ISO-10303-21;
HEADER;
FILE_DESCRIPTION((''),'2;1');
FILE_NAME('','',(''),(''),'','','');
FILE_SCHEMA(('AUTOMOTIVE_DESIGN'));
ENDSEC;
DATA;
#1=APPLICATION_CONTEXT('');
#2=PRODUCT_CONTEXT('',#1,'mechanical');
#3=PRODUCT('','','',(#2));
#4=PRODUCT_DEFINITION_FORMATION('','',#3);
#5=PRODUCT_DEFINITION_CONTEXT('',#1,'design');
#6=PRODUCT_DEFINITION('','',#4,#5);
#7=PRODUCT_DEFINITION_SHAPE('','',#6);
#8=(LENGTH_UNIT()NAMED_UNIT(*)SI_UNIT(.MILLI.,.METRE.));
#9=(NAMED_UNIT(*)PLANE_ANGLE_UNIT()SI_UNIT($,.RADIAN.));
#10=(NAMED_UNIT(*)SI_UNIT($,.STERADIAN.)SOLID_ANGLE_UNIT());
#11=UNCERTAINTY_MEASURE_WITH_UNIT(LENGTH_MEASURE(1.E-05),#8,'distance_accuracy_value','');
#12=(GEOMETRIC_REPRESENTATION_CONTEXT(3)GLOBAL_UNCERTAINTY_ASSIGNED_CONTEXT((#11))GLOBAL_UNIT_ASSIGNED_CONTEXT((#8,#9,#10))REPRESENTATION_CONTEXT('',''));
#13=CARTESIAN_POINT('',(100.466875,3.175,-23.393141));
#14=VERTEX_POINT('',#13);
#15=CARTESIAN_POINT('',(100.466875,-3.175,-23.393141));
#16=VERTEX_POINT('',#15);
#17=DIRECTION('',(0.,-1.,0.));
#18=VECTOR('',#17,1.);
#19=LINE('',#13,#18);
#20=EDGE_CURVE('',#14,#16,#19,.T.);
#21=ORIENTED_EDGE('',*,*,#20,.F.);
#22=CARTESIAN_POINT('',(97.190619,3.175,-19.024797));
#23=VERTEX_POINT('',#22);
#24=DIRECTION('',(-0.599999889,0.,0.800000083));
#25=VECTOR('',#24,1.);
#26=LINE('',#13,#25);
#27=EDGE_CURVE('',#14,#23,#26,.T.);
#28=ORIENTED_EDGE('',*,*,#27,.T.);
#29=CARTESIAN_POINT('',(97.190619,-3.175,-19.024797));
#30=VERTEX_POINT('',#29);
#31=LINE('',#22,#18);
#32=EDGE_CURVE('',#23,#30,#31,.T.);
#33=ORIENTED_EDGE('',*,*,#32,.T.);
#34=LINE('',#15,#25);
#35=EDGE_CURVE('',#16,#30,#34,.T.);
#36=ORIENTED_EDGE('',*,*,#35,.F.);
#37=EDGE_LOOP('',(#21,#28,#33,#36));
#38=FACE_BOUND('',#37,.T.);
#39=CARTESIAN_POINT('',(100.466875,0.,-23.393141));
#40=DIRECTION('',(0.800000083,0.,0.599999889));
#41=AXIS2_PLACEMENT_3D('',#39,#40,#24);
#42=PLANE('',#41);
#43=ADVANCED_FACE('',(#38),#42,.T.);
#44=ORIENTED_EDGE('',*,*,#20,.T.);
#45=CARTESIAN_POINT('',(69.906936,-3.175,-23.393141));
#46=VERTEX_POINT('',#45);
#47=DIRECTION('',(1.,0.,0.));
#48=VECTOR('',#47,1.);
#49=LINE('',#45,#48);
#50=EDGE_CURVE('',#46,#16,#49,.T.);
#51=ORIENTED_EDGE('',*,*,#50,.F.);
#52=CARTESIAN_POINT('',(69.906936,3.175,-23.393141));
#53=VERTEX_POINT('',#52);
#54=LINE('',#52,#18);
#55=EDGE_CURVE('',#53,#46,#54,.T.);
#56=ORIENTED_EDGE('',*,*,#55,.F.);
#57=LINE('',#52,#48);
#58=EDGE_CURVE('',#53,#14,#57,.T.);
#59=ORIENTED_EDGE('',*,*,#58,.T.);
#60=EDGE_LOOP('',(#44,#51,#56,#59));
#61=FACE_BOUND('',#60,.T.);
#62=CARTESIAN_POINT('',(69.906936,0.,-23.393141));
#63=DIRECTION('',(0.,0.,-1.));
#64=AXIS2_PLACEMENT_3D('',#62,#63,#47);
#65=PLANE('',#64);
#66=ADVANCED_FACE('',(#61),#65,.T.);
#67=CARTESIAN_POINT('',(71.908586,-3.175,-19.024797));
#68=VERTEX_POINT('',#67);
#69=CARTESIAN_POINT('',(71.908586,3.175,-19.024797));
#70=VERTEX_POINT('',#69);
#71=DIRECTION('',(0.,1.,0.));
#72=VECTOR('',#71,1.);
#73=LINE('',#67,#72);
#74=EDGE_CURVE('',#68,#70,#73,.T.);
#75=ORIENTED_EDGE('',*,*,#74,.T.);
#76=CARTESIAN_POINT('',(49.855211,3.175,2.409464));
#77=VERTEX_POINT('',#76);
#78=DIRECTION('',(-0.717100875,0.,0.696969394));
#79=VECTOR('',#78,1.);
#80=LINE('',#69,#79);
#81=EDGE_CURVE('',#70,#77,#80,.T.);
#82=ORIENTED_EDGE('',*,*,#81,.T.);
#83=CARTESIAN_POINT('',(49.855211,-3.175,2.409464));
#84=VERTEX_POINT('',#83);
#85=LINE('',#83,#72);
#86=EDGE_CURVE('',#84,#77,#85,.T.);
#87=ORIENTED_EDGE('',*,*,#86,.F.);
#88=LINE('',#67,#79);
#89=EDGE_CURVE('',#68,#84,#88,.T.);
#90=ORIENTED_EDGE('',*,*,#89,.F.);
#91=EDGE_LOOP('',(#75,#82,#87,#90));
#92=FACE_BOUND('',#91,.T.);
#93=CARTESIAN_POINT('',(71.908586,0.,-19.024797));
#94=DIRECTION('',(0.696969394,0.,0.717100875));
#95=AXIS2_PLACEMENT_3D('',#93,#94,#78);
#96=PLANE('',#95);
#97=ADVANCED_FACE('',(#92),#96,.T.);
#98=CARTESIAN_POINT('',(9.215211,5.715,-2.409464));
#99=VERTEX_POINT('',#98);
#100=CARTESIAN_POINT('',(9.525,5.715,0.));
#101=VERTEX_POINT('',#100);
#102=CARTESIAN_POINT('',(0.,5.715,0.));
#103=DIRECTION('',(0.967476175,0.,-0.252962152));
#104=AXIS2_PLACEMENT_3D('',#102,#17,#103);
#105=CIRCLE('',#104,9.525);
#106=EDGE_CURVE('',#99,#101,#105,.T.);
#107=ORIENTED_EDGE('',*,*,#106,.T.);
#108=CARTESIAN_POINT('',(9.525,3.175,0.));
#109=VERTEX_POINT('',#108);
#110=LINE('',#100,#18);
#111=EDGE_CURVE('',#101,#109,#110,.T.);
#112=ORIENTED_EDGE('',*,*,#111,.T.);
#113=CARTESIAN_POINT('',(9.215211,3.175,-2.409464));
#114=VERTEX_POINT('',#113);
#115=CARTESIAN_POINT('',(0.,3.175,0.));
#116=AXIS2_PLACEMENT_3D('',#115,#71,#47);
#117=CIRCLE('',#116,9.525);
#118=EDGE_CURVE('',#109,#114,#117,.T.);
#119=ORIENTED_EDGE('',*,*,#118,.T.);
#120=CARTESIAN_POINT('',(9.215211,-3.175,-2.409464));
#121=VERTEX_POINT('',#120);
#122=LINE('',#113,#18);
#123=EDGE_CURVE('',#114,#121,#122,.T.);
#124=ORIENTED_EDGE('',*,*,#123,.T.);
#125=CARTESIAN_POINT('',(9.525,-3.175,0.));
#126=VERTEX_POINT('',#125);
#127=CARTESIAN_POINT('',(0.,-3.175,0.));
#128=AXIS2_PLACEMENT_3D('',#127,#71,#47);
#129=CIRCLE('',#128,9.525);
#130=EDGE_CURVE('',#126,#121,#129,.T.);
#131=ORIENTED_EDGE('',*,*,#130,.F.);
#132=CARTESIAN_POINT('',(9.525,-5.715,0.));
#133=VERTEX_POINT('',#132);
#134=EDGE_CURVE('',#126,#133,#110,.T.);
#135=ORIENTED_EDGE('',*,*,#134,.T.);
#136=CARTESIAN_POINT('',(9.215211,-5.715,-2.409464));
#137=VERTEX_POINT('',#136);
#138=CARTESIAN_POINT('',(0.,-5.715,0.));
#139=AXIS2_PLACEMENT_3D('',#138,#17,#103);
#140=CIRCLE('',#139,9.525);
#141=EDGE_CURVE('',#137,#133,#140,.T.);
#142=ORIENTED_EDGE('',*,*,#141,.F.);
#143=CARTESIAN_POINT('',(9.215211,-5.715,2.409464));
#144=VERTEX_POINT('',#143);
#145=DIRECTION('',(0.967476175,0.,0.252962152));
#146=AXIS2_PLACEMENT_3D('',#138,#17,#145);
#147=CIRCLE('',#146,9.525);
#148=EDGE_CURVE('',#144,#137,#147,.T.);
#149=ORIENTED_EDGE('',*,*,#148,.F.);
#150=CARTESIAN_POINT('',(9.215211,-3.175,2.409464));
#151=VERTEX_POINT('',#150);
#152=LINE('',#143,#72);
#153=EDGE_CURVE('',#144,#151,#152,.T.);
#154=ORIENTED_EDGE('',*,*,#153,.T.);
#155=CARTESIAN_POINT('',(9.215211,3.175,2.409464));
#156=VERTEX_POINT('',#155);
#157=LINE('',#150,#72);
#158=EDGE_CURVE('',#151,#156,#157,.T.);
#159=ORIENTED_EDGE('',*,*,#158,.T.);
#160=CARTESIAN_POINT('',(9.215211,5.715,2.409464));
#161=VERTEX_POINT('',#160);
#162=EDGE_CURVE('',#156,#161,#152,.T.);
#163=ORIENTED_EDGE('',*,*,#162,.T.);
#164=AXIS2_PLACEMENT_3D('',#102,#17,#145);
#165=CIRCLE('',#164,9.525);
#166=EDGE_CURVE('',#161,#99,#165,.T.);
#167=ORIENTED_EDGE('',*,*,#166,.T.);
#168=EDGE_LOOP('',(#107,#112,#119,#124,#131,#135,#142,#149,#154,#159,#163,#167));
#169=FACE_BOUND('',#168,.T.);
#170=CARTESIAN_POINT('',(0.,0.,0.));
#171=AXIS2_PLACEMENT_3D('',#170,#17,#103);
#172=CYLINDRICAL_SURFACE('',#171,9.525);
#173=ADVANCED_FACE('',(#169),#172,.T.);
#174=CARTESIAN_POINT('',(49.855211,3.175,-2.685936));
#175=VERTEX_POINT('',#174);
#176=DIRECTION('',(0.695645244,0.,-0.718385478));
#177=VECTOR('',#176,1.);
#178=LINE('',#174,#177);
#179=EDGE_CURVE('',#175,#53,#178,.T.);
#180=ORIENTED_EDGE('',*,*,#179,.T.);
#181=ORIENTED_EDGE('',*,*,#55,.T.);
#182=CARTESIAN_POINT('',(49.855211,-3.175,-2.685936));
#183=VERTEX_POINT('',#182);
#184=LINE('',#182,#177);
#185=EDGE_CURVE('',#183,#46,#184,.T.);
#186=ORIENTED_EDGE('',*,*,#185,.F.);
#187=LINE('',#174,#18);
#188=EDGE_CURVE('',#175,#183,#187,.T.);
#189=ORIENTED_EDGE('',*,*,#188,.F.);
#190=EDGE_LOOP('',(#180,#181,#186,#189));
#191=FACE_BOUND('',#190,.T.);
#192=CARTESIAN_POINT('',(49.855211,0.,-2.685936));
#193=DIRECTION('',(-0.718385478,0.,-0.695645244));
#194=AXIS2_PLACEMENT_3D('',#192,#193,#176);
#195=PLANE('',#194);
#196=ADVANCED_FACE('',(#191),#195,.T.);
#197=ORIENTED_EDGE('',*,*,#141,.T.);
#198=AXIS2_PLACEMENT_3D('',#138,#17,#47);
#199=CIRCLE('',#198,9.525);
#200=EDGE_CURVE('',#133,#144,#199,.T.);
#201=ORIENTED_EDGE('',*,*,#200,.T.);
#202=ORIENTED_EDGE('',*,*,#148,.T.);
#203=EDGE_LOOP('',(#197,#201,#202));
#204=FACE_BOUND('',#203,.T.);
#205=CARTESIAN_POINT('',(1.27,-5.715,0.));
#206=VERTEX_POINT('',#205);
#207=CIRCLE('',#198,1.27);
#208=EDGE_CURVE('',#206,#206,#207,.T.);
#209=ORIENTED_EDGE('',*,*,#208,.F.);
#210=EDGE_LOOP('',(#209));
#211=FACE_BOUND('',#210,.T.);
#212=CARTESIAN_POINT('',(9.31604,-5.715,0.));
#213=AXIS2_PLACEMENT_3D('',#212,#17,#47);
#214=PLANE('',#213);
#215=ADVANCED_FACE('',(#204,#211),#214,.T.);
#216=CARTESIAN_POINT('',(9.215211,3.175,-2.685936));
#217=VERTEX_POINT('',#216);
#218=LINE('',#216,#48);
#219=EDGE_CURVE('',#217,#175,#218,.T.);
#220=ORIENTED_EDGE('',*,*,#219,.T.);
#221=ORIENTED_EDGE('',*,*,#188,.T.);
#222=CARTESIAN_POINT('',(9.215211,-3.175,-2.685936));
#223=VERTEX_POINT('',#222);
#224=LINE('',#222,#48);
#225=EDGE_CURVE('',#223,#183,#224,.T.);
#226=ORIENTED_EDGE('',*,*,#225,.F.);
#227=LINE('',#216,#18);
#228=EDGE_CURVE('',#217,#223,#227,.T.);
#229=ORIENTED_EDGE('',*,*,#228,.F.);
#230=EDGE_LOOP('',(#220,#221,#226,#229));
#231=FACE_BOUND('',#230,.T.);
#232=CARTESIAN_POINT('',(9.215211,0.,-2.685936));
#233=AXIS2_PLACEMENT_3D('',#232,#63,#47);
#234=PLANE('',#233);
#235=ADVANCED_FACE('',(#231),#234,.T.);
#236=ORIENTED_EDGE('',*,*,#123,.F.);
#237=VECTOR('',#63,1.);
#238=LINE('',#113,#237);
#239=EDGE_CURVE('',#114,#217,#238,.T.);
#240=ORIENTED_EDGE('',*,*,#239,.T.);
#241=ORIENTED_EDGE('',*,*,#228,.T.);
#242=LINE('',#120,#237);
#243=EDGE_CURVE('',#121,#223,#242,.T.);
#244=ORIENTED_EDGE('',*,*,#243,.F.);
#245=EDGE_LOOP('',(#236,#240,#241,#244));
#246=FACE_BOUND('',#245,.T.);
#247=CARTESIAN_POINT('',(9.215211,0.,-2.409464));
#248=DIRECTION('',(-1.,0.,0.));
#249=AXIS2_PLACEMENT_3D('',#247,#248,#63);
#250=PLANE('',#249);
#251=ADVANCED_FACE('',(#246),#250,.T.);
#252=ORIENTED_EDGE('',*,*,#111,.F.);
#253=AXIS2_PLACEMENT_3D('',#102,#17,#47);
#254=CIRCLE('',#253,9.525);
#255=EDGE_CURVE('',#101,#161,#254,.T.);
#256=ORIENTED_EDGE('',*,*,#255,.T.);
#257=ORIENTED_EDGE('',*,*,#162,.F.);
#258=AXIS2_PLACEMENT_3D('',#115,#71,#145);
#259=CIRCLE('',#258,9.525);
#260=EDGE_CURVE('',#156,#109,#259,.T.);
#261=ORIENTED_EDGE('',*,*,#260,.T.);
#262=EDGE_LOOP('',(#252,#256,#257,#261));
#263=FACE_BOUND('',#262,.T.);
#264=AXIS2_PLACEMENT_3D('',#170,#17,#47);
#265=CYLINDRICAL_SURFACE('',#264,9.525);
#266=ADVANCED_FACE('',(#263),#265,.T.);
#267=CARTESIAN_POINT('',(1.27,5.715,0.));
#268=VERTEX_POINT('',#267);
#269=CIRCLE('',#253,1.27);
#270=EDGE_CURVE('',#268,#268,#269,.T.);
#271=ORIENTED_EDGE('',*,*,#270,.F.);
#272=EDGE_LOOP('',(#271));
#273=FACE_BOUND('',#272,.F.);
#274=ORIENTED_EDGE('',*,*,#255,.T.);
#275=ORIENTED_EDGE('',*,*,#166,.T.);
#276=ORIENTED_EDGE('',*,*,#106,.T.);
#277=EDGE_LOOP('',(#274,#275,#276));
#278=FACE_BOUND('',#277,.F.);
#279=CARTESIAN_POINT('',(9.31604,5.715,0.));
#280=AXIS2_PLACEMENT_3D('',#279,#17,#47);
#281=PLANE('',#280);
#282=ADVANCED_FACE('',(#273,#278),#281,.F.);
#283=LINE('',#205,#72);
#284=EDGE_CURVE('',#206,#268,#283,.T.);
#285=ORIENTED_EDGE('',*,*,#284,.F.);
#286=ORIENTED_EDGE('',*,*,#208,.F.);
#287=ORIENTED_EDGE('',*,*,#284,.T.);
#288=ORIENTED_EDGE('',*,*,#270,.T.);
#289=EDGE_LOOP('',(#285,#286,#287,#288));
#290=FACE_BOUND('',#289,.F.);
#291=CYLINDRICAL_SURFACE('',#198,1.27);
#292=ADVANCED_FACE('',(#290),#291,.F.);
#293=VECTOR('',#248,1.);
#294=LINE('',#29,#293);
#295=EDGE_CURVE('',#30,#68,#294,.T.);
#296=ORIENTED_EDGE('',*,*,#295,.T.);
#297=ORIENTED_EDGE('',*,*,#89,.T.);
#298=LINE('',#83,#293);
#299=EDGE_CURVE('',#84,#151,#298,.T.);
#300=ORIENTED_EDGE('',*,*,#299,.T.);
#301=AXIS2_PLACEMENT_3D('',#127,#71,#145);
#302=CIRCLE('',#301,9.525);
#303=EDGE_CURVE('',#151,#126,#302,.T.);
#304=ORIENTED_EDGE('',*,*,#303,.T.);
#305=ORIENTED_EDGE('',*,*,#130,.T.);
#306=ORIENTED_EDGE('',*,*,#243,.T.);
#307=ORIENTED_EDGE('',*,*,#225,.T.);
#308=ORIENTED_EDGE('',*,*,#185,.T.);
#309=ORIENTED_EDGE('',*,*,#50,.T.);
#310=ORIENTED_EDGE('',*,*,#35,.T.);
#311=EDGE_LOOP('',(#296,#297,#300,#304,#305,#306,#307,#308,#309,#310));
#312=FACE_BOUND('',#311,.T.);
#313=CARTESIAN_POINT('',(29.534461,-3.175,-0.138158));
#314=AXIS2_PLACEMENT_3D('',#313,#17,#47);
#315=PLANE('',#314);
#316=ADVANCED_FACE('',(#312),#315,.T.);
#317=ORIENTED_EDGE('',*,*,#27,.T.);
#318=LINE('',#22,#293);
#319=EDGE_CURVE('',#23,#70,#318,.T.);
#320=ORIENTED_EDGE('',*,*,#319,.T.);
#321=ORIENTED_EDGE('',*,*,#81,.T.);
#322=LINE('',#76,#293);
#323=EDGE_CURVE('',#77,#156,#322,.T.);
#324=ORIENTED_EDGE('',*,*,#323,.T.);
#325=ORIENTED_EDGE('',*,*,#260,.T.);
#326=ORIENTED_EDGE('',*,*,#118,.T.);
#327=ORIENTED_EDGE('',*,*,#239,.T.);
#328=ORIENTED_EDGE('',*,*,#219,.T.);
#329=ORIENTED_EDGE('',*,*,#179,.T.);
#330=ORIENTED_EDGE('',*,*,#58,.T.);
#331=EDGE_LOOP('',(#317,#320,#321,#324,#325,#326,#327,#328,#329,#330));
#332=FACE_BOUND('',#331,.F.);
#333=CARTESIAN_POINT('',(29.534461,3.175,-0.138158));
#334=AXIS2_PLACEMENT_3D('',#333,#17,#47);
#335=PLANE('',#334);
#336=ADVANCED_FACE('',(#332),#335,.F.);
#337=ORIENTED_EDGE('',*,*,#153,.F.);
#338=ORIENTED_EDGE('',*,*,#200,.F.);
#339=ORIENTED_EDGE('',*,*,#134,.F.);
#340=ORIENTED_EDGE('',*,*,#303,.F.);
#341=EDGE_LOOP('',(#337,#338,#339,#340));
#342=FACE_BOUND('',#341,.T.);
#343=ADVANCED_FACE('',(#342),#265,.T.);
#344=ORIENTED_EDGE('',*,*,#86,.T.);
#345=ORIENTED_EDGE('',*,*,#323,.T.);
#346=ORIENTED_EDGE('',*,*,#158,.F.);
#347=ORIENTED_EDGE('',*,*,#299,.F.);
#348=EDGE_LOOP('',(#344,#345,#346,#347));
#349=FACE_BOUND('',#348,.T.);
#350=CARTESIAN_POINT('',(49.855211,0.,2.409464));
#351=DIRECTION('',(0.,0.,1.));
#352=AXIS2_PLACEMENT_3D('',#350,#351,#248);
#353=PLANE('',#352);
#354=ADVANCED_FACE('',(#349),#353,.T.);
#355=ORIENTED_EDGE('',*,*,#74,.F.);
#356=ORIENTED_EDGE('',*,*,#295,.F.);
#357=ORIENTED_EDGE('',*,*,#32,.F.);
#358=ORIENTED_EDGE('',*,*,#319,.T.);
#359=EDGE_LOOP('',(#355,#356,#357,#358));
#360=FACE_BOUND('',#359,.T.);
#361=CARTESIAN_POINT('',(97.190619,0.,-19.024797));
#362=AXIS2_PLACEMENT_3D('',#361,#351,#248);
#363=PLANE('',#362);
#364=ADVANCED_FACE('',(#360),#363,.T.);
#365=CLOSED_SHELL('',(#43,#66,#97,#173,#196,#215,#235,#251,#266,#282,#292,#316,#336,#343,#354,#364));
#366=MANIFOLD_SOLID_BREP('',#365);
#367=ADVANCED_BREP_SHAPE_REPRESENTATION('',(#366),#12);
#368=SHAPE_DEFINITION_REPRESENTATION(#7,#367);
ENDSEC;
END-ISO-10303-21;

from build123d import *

# Parameters (mm, degrees)
F1_DEPTH = 5.715
F2_DEPTH = 3.175
F3_R     = 1.27
F4_DEPTH = 25.4


with BuildPart() as f1:
    # F0 (on Front) → F1 (new body, symmetric)
    with BuildSketch(Plane.XZ):
        with BuildLine():
            ThreePointArc((9.215210569, -2.4094644982), (9.4472351953, -1.2146489884), (9.525, 0))
            ThreePointArc((9.525, 0), (9.4472351953, 1.2146489884), (9.215210569, 2.4094644982))
            Line((9.215210569, 2.4094644982), (9.215210569, -2.4094644982))
        make_face()
        with BuildLine():
            Line((9.215210569, -2.4094644982), (9.215210569, 2.4094644982))
            ThreePointArc((9.215210569, 2.4094644982), (-9.525, 0), (9.215210569, -2.4094644982))
        make_face()
    extrude(amount=F1_DEPTH, both=True)

    # F0 (on Front) → F2 (join, symmetric)
    with BuildSketch(Plane.XZ):
        with BuildLine():
            ThreePointArc((9.215210569, 2.4094644982), (9.4472351953, 1.2146489884), (9.525, 0))
            ThreePointArc((9.525, 0), (9.4472351953, -1.2146489884), (9.215210569, -2.4094644982))
            Line((9.215210569, -2.4094644982), (9.215210569, -2.6859357022))
            Line((9.215210569, -2.6859357022), (49.855210569, -2.6859357022))
            Line((49.855210569, -2.6859357022), (49.855210569, 2.4094644982))
            Line((49.855210569, 2.4094644982), (9.215210569, 2.4094644982))
        make_face()
        Polygon((71.9085857272, -19.0247967839), (49.855210569, 2.4094644982), (49.855210569, -2.6859357022), (69.9069363303, -23.3931405965), (100.4668754262, -23.3931405965), (97.190618515, -19.0247967839), align=None)
    extrude(amount=F2_DEPTH, both=True)

    # F3 (on face) → F4 (cut)
    with BuildSketch(Plane.XZ.offset(5.715)):
        Circle(F3_R)
    extrude(amount=-F4_DEPTH, mode=Mode.SUBTRACT)


solid = f1.part
